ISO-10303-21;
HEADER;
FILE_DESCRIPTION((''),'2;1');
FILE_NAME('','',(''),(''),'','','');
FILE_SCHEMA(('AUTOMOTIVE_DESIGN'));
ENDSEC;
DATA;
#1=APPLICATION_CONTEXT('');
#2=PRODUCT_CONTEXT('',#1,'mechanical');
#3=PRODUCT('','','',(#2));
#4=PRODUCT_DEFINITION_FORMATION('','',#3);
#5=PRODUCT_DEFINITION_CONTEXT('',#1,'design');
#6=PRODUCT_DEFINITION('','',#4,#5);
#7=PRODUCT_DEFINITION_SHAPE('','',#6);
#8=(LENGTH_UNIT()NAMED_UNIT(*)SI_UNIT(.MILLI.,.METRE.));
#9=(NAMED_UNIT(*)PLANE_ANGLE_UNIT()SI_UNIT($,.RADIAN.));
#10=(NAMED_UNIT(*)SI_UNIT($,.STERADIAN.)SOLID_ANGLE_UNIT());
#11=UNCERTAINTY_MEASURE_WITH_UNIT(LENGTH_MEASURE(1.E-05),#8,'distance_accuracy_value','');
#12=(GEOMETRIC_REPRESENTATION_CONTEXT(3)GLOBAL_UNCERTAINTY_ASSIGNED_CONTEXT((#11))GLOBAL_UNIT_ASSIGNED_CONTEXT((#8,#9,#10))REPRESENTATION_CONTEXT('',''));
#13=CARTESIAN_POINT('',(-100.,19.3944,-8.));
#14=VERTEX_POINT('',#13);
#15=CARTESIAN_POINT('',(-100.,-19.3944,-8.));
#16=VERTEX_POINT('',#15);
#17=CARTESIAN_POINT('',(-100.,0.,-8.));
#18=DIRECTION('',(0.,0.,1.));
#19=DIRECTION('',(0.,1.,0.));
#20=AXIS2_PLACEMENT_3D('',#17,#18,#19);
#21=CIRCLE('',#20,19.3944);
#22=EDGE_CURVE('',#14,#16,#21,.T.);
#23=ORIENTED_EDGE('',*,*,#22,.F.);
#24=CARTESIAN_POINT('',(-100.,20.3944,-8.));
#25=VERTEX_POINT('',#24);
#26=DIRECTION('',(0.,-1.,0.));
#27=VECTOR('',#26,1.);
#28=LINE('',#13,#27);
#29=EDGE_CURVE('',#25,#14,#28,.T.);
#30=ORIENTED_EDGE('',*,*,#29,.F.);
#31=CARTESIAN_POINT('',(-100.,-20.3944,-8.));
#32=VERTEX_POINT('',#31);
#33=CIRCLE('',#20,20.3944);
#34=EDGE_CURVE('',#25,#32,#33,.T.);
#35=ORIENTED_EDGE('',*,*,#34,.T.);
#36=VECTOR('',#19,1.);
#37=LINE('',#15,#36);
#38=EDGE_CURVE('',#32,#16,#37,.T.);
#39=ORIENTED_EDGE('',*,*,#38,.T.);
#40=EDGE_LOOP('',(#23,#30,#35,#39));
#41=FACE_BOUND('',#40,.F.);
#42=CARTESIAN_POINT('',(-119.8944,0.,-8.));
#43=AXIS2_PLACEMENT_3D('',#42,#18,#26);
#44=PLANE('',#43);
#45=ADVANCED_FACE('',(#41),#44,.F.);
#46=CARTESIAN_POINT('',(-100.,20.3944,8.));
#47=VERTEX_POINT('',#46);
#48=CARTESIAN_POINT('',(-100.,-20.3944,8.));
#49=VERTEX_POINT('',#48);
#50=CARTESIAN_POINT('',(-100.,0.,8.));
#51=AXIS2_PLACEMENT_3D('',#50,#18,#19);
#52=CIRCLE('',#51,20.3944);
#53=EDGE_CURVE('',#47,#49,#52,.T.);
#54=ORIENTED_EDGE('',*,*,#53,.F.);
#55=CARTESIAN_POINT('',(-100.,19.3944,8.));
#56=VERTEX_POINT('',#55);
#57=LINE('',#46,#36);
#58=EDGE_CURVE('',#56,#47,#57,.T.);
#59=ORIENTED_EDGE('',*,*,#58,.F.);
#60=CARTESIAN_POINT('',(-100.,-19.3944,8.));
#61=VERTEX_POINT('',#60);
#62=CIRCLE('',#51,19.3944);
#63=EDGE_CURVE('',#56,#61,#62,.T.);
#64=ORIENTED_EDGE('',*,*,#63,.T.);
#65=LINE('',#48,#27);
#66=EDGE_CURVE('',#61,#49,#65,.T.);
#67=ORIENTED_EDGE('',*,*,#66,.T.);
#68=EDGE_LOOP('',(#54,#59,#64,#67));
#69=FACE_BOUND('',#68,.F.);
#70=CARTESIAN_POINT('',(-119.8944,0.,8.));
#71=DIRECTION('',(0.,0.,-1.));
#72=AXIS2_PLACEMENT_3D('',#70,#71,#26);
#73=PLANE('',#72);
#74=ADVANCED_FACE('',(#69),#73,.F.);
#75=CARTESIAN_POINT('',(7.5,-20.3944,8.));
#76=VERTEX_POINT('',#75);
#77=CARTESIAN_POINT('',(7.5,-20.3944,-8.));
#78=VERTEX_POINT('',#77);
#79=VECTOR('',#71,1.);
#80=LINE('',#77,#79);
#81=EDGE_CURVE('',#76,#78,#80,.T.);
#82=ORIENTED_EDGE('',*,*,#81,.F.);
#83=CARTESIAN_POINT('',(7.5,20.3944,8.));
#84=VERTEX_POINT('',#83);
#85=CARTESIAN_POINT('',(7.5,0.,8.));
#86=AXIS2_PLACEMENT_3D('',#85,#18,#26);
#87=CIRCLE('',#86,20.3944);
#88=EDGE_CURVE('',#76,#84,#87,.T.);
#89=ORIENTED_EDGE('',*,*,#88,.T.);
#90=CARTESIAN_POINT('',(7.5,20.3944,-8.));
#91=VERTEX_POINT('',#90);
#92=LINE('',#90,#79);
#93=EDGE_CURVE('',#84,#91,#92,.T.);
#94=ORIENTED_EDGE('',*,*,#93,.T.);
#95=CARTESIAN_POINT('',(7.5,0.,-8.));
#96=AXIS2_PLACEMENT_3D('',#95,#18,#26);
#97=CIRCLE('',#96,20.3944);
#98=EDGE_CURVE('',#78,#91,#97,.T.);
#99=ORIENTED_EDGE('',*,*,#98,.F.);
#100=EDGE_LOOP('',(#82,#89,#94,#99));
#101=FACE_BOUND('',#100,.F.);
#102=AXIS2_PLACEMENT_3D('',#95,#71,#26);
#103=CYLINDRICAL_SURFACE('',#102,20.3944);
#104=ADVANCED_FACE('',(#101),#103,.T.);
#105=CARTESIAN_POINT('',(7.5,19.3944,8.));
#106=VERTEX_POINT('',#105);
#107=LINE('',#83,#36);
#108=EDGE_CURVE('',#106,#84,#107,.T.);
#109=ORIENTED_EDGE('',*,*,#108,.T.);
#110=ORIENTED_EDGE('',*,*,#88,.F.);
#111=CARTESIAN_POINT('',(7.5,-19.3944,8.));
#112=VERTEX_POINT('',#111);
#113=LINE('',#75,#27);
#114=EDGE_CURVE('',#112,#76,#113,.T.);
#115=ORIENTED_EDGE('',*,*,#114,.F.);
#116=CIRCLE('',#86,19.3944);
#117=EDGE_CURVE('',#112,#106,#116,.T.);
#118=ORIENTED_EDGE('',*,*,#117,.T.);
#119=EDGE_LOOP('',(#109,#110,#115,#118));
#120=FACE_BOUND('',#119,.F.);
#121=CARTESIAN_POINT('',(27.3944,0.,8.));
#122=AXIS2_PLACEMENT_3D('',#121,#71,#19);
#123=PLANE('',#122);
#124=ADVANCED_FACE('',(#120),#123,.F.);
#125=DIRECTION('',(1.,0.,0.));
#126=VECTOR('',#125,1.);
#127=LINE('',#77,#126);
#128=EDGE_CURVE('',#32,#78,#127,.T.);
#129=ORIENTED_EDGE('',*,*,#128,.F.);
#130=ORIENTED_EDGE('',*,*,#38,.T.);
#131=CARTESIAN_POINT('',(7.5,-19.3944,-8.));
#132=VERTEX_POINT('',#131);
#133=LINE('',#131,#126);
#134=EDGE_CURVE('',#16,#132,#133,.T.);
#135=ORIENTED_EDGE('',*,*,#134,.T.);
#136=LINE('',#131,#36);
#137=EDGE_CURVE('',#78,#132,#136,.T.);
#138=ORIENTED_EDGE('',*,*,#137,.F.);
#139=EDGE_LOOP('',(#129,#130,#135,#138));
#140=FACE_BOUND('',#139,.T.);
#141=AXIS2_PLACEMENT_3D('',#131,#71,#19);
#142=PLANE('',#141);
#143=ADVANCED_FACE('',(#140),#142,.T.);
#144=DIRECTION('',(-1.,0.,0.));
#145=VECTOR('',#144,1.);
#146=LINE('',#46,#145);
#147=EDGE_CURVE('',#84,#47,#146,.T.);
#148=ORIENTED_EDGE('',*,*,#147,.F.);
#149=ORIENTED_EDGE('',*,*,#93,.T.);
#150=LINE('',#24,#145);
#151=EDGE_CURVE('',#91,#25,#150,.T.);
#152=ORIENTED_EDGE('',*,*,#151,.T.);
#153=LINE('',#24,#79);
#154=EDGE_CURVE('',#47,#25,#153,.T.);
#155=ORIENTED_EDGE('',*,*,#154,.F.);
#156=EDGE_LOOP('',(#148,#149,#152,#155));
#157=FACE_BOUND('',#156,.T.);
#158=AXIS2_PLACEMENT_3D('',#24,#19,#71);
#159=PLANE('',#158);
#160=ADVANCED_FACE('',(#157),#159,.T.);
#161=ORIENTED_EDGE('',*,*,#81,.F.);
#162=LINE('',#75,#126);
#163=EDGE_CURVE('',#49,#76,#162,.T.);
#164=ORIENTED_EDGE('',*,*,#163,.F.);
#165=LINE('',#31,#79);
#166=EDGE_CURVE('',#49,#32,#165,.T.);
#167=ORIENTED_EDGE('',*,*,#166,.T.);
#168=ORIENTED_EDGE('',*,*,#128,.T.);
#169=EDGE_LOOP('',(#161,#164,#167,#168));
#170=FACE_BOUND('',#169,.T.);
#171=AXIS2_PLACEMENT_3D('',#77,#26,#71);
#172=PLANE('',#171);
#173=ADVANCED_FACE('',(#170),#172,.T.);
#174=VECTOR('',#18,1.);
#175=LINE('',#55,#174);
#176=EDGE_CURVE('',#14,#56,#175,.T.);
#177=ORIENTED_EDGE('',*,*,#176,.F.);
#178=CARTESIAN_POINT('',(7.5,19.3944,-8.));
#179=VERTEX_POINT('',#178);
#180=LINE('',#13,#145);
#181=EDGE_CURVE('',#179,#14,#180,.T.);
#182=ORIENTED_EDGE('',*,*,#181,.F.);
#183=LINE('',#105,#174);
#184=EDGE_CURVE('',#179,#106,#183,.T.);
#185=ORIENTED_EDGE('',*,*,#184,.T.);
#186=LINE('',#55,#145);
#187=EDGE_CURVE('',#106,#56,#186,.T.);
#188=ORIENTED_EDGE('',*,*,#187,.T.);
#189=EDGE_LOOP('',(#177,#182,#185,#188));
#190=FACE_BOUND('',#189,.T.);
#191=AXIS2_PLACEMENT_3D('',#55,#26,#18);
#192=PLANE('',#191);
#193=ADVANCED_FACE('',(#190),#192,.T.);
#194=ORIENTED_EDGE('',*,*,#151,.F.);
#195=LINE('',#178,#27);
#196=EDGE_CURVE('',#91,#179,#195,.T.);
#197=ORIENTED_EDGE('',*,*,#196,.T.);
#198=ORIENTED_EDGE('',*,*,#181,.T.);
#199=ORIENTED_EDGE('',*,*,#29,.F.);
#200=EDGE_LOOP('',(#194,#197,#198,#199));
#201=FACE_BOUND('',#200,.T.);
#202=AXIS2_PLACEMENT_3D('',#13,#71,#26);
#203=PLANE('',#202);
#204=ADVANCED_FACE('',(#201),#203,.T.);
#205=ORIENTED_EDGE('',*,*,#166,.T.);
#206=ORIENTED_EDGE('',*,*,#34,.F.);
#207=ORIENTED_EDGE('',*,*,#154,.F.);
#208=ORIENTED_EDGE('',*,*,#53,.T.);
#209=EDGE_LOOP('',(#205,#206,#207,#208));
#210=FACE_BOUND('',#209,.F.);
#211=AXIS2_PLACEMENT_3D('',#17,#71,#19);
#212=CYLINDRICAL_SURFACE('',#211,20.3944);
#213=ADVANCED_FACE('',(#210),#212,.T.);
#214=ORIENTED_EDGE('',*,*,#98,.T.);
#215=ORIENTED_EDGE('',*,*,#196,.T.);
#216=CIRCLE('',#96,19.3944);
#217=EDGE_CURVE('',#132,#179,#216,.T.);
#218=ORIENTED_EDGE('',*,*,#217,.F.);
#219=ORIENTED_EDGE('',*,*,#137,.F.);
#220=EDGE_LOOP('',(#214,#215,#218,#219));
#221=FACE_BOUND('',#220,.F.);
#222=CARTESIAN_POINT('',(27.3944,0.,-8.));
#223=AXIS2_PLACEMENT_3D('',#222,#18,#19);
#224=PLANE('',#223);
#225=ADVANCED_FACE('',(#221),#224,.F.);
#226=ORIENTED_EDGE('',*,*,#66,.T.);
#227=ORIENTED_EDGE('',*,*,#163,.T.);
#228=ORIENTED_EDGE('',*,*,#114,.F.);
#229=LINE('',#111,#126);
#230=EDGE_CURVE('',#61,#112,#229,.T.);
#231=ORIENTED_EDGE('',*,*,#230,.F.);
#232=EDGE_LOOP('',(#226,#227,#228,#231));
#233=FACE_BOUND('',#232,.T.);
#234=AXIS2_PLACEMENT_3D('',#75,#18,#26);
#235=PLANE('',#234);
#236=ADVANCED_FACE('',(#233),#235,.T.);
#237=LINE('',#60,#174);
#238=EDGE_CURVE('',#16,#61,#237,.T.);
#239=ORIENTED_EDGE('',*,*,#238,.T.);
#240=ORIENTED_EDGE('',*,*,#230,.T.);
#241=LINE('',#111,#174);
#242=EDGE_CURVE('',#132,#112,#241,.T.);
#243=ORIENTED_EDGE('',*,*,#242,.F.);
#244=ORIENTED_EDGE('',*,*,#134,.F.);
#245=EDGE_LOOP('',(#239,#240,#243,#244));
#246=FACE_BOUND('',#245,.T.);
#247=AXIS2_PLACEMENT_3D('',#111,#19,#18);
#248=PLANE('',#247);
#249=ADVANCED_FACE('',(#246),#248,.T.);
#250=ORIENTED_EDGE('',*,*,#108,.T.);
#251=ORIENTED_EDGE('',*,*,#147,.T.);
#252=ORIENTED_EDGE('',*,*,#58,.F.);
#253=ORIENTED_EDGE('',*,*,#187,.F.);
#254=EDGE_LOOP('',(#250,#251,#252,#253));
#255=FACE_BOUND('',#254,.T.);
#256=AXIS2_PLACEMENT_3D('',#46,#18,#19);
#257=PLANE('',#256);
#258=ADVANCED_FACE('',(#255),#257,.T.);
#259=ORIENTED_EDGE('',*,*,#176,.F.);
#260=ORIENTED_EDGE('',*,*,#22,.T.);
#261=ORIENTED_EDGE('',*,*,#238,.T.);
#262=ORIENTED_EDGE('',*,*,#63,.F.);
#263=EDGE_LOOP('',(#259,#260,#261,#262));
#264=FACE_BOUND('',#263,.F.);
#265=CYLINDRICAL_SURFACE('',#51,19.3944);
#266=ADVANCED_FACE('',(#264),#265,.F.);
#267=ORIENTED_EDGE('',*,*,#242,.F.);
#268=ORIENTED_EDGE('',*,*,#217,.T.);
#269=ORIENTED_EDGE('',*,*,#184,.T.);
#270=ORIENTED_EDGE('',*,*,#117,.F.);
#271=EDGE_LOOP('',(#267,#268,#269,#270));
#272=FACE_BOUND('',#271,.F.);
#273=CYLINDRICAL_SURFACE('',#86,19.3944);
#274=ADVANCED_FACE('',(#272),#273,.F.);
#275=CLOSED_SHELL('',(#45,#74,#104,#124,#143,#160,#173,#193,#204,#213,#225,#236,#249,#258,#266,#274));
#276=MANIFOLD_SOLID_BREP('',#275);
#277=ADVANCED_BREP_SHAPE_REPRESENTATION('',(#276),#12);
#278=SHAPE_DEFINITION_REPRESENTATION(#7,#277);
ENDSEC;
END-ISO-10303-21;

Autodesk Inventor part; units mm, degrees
sketch "Sketch Path" plane through (0, 0, 0) normal (0, 0, 1) x (1, 0, 0)
  arc A0 (-100, 19.8944) -> (-100, -19.8944) centre (-100, 0) ccw
  arc A1 (7.5, -19.8944) -> (7.5, 19.8944) centre (7.5, 0) ccw
  line L0 (7.5, -19.8944) -> (-100, -19.8944)
  line L1 (-100, 19.8944) -> (7.5, 19.8944)
ref_plane "Cross Section Plane" through (-100, -19.8944, 0) normal (1, 0, 0) x (0, 0, 1)
ref_plane "Work Plane2" through (-100, 0, 0) normal (-1, 0, 0) x (0, 0, 1)
ref_plane "Work Plane3" through (7.5, 0, 0) normal (-0.9921, 0.1253, 0) x (0, 0, 1)
sketch "Cross Section" plane through (-100, -19.8944, 0) normal (1, 0, 0) x (0, 0, 1)
  line L0 (-8, 0.5) -> (8, 0.5)
  line L1 (8, 0.5) -> (8, -0.5)
  line L2 (8, -0.5) -> (-8, -0.5)
  line L3 (-8, -0.5) -> (-8, 0.5)
  line L4 (-8, 0) -> (8, 0) construction
  point P0 (0, 0)
  point P1 (0, 0)
  dimension "d0" = 16
  dimension "d4" = 0.5
  dimension "d5" = 0.5
sweep "Belt" add profiles "Cross Section" path "Sketch Path"
equation "\"d0\" = da_B"
equation "\"d4\" = da_a"
equation "\"d5\" = da_a2"
equation "\"da_B\" = 16"
equation "\"da_pb\" = 5"
equation "\"da_a\" = 0.5"
equation "\"da_S\" = 2.65"
equation "\"da_Beta\" = 20deg"
equation "\"da_Ht\" = 1.2"
equation "\"da_H\" = 2.2"
equation "\"da_a2\" = 0.5"
properties part number "Synchronous Belt1" material "Rubber"
